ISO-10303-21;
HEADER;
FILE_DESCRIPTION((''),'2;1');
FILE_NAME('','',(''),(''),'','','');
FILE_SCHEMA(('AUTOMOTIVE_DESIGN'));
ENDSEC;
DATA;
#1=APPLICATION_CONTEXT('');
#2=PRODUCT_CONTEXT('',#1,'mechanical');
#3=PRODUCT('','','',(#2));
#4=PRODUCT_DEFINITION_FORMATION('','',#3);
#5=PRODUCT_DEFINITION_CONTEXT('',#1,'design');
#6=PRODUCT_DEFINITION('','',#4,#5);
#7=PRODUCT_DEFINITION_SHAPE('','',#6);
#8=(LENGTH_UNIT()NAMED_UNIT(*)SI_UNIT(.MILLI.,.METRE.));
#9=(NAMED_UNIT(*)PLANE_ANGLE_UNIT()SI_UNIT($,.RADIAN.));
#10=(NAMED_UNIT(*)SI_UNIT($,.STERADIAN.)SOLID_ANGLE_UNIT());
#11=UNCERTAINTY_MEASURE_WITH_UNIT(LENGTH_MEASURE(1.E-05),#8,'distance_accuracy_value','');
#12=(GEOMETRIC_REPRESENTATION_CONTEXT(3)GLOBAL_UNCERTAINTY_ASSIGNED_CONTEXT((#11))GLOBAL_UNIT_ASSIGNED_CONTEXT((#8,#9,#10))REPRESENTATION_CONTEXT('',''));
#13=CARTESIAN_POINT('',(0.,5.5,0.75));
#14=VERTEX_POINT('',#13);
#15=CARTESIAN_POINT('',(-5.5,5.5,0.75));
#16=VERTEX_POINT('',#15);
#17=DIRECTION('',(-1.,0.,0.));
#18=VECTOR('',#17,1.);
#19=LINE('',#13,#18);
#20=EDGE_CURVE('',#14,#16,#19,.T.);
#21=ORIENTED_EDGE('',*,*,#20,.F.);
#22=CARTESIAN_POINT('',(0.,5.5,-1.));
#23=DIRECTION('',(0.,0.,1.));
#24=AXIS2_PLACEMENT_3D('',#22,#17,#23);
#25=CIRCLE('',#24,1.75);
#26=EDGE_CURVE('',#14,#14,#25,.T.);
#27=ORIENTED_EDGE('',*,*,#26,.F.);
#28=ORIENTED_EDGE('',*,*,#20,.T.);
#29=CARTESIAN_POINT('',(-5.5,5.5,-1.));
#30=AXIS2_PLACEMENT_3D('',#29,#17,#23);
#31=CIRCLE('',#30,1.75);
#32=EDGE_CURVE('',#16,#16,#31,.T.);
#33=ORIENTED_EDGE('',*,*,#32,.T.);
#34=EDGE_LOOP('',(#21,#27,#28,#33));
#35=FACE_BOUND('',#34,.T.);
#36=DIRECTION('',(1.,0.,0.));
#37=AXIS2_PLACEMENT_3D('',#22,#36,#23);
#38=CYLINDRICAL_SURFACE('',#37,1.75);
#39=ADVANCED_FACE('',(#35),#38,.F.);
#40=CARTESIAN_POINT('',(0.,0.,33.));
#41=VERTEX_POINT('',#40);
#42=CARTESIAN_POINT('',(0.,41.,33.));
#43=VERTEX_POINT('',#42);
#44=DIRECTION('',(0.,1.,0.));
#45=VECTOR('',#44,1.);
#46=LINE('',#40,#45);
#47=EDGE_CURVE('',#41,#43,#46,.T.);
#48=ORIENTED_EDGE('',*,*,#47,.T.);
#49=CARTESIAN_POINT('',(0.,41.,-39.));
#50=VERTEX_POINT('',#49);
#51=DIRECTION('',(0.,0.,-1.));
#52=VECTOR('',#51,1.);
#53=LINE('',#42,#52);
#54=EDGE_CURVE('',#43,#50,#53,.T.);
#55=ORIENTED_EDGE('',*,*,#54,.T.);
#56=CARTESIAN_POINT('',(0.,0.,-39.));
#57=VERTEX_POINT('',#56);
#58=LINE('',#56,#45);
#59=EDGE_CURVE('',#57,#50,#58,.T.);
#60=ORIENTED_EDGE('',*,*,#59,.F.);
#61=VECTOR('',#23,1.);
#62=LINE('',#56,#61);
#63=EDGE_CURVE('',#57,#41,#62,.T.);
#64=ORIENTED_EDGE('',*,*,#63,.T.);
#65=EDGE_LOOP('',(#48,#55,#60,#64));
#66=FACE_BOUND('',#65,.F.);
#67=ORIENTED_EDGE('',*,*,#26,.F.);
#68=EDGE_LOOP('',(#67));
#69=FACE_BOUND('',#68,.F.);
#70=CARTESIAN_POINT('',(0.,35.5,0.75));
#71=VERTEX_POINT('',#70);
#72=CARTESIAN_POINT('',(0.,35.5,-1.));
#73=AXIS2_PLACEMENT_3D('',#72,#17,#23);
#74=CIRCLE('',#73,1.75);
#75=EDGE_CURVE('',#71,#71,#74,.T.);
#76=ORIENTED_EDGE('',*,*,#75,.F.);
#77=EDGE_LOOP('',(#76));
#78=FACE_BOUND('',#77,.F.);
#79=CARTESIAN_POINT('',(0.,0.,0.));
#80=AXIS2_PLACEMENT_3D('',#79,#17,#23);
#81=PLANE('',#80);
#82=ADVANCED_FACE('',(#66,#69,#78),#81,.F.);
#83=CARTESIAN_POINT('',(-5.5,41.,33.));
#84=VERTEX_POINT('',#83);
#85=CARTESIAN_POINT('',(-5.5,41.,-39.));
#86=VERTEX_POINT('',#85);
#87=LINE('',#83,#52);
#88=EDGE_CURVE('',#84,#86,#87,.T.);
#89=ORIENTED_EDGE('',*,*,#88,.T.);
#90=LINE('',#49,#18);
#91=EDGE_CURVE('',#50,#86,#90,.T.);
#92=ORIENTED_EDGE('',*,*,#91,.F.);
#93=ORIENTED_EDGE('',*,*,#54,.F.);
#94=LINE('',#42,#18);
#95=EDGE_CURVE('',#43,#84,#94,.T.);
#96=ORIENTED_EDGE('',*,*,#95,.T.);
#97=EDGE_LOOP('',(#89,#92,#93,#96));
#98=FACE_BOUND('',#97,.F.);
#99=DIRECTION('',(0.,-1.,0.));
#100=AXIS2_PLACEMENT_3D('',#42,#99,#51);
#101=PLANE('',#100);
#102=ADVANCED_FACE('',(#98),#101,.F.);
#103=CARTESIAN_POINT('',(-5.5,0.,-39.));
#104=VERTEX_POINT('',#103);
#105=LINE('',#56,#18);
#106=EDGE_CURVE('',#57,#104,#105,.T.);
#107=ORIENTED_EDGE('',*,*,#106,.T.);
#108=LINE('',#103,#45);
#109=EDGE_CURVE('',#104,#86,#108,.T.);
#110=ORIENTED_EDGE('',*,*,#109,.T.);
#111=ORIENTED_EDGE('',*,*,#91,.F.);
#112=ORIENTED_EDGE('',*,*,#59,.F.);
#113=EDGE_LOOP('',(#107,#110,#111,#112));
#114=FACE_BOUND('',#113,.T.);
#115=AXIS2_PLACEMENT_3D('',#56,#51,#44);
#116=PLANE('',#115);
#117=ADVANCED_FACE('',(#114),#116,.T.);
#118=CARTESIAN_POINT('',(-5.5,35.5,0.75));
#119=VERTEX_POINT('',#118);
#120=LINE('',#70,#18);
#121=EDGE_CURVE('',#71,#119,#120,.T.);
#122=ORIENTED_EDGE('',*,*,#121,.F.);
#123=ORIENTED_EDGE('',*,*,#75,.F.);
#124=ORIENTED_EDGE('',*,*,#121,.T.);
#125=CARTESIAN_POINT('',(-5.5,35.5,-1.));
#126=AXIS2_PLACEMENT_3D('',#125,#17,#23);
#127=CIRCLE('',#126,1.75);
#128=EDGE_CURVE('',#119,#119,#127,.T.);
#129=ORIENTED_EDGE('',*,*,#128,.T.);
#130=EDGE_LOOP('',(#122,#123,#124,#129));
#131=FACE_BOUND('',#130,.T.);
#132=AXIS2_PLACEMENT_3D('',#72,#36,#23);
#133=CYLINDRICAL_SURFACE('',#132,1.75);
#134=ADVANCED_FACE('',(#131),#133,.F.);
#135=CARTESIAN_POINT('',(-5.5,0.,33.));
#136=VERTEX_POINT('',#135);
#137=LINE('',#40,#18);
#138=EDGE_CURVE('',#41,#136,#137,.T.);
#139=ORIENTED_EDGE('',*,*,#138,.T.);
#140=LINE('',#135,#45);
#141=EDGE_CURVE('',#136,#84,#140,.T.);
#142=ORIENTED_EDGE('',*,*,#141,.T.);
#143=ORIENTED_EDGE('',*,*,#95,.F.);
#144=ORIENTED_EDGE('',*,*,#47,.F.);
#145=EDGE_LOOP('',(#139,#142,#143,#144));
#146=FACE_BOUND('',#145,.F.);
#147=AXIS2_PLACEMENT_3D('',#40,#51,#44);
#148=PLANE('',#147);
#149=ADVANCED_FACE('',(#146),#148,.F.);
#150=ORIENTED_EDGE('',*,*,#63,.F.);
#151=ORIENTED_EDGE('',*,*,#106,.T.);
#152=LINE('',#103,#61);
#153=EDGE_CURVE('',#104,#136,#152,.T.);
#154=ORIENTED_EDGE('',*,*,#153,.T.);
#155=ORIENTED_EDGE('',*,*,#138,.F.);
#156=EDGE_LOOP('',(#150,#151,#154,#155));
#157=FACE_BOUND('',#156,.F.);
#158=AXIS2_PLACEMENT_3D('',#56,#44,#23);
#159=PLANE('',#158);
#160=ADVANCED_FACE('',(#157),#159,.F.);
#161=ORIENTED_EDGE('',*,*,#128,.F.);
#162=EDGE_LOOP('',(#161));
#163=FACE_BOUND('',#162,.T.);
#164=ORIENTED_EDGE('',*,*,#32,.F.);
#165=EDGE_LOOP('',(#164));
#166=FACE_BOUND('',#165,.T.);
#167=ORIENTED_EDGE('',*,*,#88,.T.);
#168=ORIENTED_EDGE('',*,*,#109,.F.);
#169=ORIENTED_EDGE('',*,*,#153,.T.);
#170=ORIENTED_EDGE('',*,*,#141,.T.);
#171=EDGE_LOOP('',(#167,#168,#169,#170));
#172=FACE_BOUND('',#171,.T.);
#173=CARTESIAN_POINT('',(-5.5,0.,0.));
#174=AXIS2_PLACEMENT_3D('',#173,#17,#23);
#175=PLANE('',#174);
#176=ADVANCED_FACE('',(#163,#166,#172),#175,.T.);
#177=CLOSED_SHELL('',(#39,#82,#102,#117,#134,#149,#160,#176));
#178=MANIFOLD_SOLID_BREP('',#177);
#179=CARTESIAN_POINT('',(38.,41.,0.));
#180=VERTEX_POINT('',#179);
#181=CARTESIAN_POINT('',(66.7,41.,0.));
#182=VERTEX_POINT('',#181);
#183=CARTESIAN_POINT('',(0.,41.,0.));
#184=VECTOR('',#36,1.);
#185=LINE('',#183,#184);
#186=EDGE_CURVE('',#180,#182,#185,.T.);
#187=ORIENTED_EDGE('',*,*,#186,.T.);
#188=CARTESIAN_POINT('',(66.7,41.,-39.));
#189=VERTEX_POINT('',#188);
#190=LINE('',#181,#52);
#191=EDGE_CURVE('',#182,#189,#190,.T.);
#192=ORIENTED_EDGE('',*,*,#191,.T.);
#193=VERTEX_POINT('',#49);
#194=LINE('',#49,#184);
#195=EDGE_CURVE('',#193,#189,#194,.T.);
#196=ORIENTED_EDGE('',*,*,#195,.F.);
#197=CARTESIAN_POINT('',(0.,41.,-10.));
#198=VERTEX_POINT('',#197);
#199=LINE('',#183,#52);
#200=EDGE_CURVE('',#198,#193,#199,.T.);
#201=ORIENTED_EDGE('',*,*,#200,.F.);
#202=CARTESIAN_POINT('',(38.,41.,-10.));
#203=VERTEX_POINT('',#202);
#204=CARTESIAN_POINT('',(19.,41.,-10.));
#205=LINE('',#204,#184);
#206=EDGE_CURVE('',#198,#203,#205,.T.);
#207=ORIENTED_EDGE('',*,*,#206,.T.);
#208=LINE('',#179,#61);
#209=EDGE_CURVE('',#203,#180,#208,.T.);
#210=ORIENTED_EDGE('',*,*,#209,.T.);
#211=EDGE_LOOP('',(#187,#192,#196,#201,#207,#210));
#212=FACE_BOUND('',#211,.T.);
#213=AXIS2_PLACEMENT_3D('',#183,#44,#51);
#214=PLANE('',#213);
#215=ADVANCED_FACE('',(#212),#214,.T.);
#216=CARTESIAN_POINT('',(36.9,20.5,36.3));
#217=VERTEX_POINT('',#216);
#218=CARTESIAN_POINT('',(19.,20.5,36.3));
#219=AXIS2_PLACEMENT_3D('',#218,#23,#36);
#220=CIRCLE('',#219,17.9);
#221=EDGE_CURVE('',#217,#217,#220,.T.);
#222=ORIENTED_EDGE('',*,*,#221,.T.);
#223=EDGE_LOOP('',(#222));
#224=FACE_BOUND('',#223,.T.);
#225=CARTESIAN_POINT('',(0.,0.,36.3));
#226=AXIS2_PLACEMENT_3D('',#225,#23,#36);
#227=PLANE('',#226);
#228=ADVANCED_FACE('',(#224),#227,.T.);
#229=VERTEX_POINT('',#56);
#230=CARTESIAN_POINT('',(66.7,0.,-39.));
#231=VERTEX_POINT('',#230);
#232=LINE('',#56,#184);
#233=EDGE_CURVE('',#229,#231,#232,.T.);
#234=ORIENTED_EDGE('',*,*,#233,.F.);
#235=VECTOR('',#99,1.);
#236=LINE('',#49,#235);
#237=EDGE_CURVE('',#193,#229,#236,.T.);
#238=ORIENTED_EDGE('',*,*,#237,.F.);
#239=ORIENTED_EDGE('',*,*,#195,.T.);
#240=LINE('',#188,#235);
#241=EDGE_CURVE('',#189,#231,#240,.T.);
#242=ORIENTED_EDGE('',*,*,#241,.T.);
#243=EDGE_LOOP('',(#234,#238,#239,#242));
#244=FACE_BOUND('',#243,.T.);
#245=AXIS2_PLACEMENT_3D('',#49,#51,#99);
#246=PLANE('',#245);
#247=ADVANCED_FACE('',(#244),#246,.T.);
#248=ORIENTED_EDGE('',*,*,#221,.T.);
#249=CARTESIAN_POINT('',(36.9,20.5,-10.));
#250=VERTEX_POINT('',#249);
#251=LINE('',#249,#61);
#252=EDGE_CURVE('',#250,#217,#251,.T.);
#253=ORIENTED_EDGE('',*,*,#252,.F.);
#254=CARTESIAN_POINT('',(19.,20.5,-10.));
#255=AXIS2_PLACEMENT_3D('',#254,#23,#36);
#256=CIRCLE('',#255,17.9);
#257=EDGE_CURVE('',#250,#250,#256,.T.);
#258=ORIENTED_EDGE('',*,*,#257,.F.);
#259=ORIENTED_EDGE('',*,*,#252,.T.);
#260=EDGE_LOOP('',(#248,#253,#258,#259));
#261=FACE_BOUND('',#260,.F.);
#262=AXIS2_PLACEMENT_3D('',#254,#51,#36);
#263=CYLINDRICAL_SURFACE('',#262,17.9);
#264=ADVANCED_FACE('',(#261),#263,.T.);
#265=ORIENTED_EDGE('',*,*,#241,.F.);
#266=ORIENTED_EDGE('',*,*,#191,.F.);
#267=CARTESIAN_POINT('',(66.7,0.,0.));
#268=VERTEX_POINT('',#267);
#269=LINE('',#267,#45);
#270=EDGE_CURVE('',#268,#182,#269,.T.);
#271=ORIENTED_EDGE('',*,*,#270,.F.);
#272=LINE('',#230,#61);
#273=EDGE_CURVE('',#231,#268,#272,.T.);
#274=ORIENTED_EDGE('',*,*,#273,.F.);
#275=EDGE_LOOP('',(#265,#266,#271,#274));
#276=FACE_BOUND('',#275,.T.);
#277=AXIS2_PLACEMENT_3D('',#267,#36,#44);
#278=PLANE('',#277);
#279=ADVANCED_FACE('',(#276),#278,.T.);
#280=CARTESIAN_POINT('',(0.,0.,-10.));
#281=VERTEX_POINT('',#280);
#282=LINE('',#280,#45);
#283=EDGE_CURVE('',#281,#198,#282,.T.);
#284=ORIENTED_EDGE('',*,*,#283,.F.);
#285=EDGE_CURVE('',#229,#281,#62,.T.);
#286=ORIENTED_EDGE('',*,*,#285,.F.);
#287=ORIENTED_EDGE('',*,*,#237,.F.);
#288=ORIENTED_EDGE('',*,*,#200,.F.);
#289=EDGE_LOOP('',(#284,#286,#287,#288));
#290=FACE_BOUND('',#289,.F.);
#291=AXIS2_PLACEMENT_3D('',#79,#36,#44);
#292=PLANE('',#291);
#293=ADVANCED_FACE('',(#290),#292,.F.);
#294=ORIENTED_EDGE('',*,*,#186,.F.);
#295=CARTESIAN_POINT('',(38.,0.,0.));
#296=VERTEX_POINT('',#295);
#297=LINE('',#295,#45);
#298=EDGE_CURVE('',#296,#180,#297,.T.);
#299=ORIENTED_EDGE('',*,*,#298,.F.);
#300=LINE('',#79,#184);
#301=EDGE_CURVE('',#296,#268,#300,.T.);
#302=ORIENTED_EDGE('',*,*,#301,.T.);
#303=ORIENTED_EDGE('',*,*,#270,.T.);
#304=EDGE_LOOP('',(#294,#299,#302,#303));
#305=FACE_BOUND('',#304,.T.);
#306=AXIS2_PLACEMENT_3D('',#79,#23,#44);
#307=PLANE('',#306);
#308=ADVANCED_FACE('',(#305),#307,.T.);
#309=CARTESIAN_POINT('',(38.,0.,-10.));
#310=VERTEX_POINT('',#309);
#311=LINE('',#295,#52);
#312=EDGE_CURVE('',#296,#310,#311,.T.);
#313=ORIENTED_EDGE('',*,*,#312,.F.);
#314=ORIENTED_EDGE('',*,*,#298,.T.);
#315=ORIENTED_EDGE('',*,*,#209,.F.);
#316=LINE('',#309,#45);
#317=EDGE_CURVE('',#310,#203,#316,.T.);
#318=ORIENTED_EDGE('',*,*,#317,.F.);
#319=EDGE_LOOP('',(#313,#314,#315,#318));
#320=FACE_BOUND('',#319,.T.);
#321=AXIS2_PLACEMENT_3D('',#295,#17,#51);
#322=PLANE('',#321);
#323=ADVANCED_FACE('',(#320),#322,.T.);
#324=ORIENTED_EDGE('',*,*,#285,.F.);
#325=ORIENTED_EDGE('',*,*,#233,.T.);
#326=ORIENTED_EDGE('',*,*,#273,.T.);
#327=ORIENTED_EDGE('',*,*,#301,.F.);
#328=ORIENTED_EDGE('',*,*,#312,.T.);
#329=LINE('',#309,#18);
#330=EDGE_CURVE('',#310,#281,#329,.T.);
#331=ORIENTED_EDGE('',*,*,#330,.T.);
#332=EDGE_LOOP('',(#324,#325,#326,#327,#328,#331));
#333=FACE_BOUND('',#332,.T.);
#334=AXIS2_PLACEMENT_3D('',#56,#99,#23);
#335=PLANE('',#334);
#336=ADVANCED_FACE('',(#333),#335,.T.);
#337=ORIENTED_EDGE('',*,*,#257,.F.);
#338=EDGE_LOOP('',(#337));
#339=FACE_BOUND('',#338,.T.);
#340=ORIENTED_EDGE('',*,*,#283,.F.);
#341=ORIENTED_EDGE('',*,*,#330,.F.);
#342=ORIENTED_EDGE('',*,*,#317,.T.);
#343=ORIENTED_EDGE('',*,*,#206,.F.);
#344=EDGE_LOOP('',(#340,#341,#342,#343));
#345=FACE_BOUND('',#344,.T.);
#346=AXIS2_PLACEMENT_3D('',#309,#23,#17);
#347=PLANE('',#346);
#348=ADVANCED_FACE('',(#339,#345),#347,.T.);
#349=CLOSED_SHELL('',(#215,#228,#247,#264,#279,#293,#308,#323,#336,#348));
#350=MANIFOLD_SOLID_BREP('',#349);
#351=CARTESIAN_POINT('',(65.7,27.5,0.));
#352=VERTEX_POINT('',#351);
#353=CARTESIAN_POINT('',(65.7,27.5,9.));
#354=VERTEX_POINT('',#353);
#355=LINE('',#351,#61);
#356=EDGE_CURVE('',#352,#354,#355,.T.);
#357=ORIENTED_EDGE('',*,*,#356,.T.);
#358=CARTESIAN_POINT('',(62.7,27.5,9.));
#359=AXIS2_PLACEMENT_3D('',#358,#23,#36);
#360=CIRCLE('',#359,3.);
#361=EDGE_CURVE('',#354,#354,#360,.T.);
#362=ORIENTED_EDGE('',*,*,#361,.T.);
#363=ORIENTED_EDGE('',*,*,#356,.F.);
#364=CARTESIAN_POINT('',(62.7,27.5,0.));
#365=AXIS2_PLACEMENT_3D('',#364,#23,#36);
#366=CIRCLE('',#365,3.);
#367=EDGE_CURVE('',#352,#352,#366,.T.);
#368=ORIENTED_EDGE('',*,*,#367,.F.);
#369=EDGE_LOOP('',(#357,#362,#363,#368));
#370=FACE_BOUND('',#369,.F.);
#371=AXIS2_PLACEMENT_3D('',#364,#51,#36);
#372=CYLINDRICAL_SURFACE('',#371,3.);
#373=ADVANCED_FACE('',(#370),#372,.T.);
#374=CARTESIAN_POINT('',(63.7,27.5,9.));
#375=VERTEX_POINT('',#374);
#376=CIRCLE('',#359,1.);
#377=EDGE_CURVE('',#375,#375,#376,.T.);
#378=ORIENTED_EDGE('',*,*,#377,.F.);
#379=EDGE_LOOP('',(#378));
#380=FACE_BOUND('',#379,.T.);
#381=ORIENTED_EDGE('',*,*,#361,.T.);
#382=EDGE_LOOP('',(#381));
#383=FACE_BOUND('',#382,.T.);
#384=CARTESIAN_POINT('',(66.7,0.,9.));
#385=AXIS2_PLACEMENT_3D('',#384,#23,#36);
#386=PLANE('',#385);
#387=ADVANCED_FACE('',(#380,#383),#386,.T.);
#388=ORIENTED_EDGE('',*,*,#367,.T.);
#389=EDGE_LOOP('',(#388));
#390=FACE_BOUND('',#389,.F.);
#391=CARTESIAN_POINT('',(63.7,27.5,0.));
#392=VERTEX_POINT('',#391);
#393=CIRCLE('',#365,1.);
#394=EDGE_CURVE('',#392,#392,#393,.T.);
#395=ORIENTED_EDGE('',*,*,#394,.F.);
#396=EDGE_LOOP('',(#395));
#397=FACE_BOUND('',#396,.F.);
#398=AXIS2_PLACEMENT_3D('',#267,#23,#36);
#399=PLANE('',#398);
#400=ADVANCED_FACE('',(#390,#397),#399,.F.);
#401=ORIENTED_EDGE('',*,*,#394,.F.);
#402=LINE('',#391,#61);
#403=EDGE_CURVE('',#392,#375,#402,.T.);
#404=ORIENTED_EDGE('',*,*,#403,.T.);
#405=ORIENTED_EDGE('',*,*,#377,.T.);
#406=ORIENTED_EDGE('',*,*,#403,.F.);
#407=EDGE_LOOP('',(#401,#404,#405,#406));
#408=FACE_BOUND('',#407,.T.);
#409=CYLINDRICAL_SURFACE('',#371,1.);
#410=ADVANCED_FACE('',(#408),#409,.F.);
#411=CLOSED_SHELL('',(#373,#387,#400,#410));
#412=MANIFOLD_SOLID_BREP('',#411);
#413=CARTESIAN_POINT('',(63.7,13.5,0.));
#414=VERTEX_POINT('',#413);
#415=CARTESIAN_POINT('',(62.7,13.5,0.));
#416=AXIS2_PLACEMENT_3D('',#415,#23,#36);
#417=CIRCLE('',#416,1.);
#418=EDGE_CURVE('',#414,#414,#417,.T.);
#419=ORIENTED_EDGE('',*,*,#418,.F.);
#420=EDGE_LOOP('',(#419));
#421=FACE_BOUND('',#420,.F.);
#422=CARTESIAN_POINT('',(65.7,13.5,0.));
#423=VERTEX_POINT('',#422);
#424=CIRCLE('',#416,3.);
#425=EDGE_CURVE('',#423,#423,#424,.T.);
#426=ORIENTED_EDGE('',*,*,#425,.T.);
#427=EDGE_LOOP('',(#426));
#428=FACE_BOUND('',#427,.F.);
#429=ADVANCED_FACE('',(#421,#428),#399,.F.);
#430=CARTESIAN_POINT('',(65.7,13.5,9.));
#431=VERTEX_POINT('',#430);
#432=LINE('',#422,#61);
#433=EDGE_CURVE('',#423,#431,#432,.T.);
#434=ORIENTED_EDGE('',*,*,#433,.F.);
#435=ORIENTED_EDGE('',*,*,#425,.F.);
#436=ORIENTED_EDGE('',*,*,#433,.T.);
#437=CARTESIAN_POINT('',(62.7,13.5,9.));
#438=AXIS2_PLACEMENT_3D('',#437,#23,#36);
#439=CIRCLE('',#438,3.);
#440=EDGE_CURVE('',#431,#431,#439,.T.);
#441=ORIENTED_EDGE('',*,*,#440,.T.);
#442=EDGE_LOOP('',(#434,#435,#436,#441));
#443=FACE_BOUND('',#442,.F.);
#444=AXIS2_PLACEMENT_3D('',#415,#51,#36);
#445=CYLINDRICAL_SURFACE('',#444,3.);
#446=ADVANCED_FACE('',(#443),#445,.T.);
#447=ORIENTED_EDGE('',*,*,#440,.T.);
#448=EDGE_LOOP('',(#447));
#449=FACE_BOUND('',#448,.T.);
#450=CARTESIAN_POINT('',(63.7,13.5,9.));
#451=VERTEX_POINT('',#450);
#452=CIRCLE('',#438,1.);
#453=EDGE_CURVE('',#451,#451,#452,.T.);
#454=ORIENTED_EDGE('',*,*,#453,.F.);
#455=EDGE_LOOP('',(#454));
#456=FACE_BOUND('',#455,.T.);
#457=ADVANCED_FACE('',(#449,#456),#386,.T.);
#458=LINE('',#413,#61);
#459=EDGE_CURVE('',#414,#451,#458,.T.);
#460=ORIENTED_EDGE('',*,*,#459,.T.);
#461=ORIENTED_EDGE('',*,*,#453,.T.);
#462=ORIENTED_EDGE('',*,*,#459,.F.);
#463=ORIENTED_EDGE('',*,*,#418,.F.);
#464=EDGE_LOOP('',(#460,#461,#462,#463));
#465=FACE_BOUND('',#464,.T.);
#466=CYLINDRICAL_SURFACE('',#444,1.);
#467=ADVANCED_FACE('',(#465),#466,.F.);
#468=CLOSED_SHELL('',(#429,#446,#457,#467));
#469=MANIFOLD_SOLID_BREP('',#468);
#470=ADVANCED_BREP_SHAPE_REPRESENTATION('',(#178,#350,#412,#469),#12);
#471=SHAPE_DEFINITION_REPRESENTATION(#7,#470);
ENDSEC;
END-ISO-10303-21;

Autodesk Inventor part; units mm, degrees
ref_plane "YZ Plane" through (0, 0, 0) normal (1, 0, 0) x (0, 1, 0)
ref_plane "XZ Plane" through (0, 0, 0) normal (0, 1, 0) x (-1, 0, 0)
ref_plane "XY Plane" through (0, 0, 0) normal (0, 0, 1) x (1, 0, 0)
sketch "スケッチ1" plane through (0, 0, 0) normal (1, 0, 0) x (0, 1, 0)
  line L0 (0, 0) -> (41, 0)
  line L1 (41, 0) -> (41, -39)
  line L2 (41, -39) -> (0, -39)
  line L3 (0, -39) -> (0, 0)
  dimension "d0" = 41
  dimension "d1" = 39
extrude "押し出し1" add sketch "スケッチ1" along normal blind 66.7
sketch "スケッチ2" plane through (0, 0, -39) normal (0, -1, 0) x (1, 0, 0)
  line L0 (0, 39) -> (38, 39)
  line L1 (38, 39) -> (38, 29)
  line L2 (38, 29) -> (0, 29)
  line L3 (0, 29) -> (0, 39)
  dimension "d4" = 38
  dimension "d5" = 10
extrude "押し出し2" cut sketch "スケッチ2" against normal through all
sketch "スケッチ3" plane through (0, 0, -10) normal (0, 0, 1) x (1, 0, 0)
  line L0 (0, 0) -> (0, 41) projected
  line L1 (38, 0) -> (0, 0) projected
  circle A0 centre (19, 20.5) radius 17.9
  dimension "d22" = 0
  dimension "d8" = 19
  dimension "d9" = 20.5
  dimension "d10" = 35.8
extrude "押し出し3" add sketch "スケッチ3" along normal blind 46.3
sketch "スケッチ4" plane through (0, 0, 0) normal (-1, 0, 0) x (0, 0, 1)
  circle A0 centre (-1, 5.5) radius 1.75
  circle A1 centre (-1, 35.5) radius 1.75
  line L0 (-39, 0) -> (-39, 41) projected
  line L1 (-39, 0) -> (33, 0)
  line L2 (33, 0) -> (33, 41)
  line L3 (33, 41) -> (-39, 41)
  line L4 (-39, 41) -> (-39, 0)
  point P0 (0, 0)
  dimension "d13" = 3.5
  dimension "d14" = 3.5
  dimension "d15" = 30
  dimension "d16" = 5.5
  dimension "d17" = 0
  dimension "d18" = 38
  dimension "d19" = 41
  dimension "d20" = 72
extrude "押し出し4" add sketch "スケッチ4" along normal blind 5.5 separate body
sketch "スケッチ5" plane through (66.7, 0, 0) normal (0, 0, 1) x (1, 0, 0)
  circle A0 centre (-4, 27.5) radius 3
  circle A1 centre (-4, 13.5) radius 3
  line L0 (-72.2, 0) -> (-72.2, 41) projected
  line L1 (-28.7, 41) -> (0, 41) projected
  circle A2 centre (-4, 27.5) radius 1
  circle A3 centre (-4, 13.5) radius 1
  point P0 (-66.7, 0)
  dimension "d23" = 6
  dimension "d24" = 6
  dimension "d25" = 68.2
  dimension "d26" = 68.2
  dimension "d27" = 14
  dimension "d28" = 13.5
  dimension "d29" = 2
  dimension "d30" = 2
extrude "押し出し5" add sketch "スケッチ5" along normal blind 9 separate body
equation "\"d26\" = d25"
properties part number "DP0110-Y1" material "アルミニウム 6061"
